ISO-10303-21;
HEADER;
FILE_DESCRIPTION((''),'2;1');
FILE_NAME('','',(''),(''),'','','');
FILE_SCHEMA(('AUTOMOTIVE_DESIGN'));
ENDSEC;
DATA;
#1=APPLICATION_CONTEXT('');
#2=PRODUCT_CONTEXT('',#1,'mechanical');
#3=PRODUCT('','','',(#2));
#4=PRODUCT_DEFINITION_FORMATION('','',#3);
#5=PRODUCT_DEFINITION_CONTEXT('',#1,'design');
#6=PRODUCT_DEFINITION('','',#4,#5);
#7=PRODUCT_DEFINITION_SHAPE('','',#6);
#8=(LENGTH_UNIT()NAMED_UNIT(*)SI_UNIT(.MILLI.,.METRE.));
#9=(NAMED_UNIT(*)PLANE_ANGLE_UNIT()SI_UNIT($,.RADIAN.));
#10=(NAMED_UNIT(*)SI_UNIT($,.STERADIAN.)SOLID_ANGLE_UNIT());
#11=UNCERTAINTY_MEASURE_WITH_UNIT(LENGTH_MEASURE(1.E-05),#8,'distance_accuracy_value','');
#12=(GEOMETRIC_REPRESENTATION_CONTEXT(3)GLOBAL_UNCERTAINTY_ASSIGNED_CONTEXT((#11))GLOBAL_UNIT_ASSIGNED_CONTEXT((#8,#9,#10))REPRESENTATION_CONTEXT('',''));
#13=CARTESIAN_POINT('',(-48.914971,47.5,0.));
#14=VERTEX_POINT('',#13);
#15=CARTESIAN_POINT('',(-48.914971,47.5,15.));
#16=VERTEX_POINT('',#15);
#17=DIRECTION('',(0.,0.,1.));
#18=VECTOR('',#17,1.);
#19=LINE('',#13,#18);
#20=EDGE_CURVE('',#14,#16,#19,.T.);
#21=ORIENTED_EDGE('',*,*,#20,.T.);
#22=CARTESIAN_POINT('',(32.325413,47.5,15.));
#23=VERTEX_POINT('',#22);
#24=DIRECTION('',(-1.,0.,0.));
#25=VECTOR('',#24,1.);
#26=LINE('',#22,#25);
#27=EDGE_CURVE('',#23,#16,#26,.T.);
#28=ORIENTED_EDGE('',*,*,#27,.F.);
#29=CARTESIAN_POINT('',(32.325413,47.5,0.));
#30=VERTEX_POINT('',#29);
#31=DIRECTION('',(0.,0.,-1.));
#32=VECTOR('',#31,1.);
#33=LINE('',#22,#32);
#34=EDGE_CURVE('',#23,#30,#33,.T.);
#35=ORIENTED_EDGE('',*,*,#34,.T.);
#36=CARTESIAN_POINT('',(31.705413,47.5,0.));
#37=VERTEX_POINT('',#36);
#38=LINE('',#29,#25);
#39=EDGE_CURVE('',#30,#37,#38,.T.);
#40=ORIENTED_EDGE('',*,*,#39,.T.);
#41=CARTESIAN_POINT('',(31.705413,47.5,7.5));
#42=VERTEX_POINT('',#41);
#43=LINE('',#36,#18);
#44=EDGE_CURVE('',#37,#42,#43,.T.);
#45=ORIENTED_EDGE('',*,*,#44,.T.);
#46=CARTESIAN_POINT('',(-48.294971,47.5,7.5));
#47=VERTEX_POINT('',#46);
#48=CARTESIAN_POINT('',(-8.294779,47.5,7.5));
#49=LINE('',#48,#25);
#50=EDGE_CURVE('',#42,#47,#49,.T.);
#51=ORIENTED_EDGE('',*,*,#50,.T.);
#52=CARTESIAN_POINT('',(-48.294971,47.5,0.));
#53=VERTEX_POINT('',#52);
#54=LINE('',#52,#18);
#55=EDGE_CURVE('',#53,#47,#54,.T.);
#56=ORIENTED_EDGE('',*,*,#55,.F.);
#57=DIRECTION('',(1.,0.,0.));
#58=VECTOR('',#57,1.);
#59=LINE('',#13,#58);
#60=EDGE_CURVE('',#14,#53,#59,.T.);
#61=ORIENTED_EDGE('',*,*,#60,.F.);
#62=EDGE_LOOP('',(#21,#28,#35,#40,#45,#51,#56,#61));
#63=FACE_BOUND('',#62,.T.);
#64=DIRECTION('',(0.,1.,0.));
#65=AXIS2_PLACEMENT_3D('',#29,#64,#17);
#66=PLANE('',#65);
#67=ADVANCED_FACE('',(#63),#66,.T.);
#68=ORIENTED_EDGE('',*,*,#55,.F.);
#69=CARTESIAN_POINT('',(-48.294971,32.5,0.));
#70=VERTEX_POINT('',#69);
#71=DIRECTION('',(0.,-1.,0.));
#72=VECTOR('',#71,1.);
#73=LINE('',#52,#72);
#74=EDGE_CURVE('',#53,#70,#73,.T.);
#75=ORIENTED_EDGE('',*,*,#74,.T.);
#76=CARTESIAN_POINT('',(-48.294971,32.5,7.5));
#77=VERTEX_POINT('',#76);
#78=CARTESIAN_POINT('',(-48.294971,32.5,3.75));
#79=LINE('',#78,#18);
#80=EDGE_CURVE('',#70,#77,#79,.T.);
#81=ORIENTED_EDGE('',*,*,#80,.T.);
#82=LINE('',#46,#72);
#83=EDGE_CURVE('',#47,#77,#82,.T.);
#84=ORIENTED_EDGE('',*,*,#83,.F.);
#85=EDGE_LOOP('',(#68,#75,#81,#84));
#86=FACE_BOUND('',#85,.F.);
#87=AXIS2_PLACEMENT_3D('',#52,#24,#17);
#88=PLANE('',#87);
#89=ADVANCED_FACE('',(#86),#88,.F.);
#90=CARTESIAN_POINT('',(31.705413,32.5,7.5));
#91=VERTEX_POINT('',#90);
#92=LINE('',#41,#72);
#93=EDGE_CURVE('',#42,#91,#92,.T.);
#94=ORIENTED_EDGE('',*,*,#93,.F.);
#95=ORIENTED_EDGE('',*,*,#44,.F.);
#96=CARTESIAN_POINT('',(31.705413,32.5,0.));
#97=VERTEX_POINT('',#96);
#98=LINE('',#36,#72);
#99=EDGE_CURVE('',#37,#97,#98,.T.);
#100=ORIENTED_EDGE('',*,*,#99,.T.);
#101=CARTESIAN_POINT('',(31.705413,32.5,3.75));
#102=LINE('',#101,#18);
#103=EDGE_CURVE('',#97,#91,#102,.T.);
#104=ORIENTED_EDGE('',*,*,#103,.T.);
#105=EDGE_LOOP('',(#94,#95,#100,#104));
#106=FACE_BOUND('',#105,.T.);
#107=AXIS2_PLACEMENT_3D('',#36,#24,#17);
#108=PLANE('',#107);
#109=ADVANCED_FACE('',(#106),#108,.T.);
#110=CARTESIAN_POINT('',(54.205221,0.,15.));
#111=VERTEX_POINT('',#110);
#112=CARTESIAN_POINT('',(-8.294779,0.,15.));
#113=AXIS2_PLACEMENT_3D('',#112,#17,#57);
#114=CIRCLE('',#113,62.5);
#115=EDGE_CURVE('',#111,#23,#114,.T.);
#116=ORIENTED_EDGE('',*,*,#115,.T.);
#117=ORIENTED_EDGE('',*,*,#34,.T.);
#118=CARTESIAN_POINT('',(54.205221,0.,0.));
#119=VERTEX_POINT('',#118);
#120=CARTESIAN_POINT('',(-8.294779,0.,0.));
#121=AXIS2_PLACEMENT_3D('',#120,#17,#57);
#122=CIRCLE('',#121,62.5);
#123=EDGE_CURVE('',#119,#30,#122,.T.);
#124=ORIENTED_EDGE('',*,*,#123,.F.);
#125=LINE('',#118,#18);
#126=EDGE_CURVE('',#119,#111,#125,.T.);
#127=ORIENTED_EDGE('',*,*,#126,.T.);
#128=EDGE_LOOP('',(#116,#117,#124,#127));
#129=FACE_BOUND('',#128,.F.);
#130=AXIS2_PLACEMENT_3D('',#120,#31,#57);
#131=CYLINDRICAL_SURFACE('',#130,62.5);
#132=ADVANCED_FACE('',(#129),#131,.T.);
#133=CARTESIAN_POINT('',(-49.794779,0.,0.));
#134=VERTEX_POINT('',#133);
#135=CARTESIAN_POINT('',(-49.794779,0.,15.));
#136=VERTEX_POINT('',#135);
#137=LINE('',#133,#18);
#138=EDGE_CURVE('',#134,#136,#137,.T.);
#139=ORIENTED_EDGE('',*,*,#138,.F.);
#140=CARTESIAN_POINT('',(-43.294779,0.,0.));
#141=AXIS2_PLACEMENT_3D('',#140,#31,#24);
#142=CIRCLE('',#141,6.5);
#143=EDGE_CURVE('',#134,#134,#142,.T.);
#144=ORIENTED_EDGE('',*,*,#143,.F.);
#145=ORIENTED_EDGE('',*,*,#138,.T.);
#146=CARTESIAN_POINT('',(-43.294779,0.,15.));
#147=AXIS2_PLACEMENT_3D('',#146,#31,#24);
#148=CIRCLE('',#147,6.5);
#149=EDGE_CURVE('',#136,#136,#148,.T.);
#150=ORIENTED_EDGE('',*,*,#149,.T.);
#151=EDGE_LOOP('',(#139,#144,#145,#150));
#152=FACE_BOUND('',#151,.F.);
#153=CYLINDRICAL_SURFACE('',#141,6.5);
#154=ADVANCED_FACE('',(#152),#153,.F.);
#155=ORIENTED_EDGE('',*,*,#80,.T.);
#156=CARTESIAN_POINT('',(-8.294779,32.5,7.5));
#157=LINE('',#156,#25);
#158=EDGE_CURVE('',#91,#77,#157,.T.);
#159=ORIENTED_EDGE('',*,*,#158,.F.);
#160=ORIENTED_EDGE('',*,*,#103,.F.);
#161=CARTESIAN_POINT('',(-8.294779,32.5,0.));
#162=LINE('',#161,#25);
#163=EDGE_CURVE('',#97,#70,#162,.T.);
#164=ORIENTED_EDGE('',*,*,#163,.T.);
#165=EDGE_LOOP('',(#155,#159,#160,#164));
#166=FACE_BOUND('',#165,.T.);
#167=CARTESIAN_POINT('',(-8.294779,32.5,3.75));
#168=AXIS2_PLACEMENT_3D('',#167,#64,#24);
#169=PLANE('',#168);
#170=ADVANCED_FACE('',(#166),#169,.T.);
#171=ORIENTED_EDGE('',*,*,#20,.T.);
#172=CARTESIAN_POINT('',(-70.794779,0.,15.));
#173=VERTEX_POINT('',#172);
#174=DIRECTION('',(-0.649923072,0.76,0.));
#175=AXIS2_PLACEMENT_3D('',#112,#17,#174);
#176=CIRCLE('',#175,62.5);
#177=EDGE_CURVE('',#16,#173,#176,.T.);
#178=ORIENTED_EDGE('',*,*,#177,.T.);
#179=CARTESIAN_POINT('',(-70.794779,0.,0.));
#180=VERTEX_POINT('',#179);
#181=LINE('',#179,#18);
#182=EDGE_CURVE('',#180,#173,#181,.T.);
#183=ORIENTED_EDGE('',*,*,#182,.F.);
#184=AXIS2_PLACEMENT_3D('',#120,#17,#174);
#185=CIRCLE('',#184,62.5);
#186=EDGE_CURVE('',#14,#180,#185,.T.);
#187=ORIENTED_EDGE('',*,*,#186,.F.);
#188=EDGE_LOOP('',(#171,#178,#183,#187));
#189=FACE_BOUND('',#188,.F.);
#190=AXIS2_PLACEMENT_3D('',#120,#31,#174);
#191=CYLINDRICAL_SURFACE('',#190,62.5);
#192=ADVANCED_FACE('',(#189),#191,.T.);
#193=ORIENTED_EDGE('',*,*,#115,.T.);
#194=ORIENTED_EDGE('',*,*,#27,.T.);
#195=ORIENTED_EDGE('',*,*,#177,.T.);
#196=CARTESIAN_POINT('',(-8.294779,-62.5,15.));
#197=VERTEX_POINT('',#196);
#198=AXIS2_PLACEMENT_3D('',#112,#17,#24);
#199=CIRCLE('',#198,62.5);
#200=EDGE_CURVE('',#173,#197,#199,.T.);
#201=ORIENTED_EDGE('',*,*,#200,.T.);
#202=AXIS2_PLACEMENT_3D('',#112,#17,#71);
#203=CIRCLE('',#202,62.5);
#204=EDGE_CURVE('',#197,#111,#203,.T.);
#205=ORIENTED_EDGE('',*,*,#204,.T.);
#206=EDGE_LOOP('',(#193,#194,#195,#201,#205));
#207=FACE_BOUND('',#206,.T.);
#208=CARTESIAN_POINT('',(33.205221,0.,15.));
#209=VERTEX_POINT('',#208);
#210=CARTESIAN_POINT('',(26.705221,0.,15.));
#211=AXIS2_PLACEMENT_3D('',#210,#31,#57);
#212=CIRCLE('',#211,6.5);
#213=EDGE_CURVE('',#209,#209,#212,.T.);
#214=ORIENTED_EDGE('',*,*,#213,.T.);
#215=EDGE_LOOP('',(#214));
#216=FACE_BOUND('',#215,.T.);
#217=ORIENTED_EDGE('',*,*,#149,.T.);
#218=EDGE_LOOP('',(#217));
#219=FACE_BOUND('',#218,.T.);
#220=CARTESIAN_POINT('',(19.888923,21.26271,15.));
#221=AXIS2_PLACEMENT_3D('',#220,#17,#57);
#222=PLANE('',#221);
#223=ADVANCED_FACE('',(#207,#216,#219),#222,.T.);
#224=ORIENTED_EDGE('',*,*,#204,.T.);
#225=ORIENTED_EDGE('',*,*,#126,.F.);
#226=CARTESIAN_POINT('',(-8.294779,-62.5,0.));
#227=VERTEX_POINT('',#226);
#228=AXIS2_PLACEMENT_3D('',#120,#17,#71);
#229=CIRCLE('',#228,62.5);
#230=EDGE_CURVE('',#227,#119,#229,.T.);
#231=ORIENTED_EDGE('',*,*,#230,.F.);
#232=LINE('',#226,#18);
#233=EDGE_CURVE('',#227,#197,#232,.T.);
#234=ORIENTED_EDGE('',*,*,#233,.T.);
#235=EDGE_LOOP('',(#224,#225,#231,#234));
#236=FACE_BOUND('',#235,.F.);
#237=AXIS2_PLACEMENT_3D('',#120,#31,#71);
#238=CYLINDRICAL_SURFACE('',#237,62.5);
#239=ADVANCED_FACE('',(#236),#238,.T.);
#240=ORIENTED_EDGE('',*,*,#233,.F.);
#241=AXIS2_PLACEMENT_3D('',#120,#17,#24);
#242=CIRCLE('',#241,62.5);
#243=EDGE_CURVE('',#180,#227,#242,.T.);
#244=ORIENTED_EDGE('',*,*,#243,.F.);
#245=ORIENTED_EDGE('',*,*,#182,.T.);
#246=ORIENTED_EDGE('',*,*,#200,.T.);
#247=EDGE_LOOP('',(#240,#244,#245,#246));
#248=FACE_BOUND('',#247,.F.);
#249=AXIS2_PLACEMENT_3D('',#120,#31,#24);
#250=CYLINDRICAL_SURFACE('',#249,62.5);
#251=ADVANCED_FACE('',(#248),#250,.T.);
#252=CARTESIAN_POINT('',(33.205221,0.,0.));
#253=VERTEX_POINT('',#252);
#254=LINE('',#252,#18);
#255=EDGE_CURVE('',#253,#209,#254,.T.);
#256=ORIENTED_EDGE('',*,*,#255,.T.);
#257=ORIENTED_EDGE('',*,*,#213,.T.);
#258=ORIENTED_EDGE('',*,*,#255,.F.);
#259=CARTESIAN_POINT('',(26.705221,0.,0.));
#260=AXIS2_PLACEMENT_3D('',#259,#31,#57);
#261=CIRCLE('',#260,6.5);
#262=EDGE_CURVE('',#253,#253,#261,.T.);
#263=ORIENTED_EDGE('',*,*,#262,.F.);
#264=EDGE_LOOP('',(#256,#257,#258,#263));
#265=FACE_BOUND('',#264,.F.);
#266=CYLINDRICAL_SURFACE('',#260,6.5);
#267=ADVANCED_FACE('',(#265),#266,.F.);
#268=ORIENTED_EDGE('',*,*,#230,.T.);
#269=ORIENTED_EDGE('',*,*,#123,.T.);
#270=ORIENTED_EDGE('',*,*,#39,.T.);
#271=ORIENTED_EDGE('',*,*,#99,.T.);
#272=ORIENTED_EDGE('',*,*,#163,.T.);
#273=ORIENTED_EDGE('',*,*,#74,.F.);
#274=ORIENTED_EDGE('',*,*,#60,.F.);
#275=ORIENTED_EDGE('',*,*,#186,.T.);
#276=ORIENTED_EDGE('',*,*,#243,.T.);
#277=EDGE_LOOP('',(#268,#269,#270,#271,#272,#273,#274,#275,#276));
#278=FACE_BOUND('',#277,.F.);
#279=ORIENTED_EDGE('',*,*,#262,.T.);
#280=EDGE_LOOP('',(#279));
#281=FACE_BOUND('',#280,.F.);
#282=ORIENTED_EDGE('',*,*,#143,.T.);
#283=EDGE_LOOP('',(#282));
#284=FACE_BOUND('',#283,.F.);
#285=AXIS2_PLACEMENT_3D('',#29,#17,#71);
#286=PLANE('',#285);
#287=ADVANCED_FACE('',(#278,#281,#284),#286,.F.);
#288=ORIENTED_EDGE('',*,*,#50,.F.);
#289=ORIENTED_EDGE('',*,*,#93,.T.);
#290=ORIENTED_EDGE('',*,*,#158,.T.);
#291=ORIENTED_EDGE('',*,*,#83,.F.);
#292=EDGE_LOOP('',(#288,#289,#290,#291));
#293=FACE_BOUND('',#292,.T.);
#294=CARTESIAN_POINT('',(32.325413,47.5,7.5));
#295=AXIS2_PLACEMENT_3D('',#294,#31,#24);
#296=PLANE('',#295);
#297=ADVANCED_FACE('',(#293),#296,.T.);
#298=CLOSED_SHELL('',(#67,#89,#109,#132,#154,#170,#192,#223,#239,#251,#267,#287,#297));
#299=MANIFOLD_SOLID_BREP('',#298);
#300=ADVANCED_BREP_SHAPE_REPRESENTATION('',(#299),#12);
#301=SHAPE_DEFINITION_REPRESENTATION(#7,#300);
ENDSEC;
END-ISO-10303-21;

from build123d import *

# Parameters (mm, degrees)
F1_DEPTH = 15
F2_W     = 81.2403840464
F2_H     = 7.5
F3_DEPTH = 15
F4_DEPTH = 0.62
F5_DEPTH = 0.62


with BuildPart() as f1:
    # F0 (on Top) → F1 (new body)
    with BuildSketch(Plane.XY):
        with BuildLine():
            Line((-8.2947787642, 47.5), (-8.2947787642, 0))
            Line((-8.2947787642, 0), (20.2052212358, 0))
            ThreePointArc((20.2052212358, 0), (26.7052212358, 6.5), (33.2052212358, 0))
            Line((33.2052212358, 0), (54.2052212358, 0))
            ThreePointArc((54.2052212358, 0), (48.4723420076, 26.148498987), (32.3254132589, 47.5))
            Line((32.3254132589, 47.5), (-8.2947787642, 47.5))
        make_face()
        with BuildLine():
            Line((20.2052212358, 0), (-8.2947787642, 0))
            Line((-8.2947787642, 0), (-8.2947787642, -62.5))
            ThreePointArc((-8.2947787642, -62.5), (35.8993950599, -44.1941738242), (54.2052212358, 0))
            Line((54.2052212358, 0), (33.2052212358, 0))
            ThreePointArc((33.2052212358, 0), (26.7052212358, -6.5), (20.2052212358, 0))
        make_face()
        with BuildLine():
            Line((-8.2947787642, 0), (-36.7947787642, 0))
            ThreePointArc((-36.7947787642, 0), (-43.2947787642, -6.5), (-49.7947787642, 0))
            Line((-49.7947787642, 0), (-70.7947787642, 0))
            ThreePointArc((-70.7947787642, 0), (-52.4889525884, -44.1941738242), (-8.2947787642, -62.5))
            Line((-8.2947787642, -62.5), (-8.2947787642, 0))
        make_face()
        with BuildLine():
            ThreePointArc((-49.7947787642, 0), (-43.2947787642, 6.5), (-36.7947787642, 0))
            Line((-36.7947787642, 0), (-8.2947787642, 0))
            Line((-8.2947787642, 0), (-8.2947787642, 47.5))
            Line((-8.2947787642, 47.5), (-48.9149707874, 47.5))
            ThreePointArc((-48.9149707874, 47.5), (-65.0618995361, 26.148498987), (-70.7947787642, 0))
            Line((-70.7947787642, 0), (-49.7947787642, 0))
        make_face()
    extrude(amount=F1_DEPTH)

    # F2 (on face) → F3 (cut)
    with BuildSketch(Plane(origin=(0, 47.5, 0), x_dir=(-1, 0, 0), z_dir=(0, 1, 0))):
        with Locations((8.2947787642, 3.75)):
            Rectangle(F2_W, F2_H)
    extrude(amount=-F3_DEPTH, mode=Mode.SUBTRACT)

    # F4 (add): a face of the model
    f4_faces = [f1.faces().sort_by_distance(p)[0] for p in [
        (-48.9149707874, 40, 3.75),
    ]]
    extrude(f4_faces, amount=F4_DEPTH)

    # F5 (add): a face of the model
    f5_faces = [f1.faces().sort_by_distance(p)[0] for p in [
        (32.3254132589, 40, 3.75),
    ]]
    extrude(f5_faces, amount=F5_DEPTH)


solid = f1.part
